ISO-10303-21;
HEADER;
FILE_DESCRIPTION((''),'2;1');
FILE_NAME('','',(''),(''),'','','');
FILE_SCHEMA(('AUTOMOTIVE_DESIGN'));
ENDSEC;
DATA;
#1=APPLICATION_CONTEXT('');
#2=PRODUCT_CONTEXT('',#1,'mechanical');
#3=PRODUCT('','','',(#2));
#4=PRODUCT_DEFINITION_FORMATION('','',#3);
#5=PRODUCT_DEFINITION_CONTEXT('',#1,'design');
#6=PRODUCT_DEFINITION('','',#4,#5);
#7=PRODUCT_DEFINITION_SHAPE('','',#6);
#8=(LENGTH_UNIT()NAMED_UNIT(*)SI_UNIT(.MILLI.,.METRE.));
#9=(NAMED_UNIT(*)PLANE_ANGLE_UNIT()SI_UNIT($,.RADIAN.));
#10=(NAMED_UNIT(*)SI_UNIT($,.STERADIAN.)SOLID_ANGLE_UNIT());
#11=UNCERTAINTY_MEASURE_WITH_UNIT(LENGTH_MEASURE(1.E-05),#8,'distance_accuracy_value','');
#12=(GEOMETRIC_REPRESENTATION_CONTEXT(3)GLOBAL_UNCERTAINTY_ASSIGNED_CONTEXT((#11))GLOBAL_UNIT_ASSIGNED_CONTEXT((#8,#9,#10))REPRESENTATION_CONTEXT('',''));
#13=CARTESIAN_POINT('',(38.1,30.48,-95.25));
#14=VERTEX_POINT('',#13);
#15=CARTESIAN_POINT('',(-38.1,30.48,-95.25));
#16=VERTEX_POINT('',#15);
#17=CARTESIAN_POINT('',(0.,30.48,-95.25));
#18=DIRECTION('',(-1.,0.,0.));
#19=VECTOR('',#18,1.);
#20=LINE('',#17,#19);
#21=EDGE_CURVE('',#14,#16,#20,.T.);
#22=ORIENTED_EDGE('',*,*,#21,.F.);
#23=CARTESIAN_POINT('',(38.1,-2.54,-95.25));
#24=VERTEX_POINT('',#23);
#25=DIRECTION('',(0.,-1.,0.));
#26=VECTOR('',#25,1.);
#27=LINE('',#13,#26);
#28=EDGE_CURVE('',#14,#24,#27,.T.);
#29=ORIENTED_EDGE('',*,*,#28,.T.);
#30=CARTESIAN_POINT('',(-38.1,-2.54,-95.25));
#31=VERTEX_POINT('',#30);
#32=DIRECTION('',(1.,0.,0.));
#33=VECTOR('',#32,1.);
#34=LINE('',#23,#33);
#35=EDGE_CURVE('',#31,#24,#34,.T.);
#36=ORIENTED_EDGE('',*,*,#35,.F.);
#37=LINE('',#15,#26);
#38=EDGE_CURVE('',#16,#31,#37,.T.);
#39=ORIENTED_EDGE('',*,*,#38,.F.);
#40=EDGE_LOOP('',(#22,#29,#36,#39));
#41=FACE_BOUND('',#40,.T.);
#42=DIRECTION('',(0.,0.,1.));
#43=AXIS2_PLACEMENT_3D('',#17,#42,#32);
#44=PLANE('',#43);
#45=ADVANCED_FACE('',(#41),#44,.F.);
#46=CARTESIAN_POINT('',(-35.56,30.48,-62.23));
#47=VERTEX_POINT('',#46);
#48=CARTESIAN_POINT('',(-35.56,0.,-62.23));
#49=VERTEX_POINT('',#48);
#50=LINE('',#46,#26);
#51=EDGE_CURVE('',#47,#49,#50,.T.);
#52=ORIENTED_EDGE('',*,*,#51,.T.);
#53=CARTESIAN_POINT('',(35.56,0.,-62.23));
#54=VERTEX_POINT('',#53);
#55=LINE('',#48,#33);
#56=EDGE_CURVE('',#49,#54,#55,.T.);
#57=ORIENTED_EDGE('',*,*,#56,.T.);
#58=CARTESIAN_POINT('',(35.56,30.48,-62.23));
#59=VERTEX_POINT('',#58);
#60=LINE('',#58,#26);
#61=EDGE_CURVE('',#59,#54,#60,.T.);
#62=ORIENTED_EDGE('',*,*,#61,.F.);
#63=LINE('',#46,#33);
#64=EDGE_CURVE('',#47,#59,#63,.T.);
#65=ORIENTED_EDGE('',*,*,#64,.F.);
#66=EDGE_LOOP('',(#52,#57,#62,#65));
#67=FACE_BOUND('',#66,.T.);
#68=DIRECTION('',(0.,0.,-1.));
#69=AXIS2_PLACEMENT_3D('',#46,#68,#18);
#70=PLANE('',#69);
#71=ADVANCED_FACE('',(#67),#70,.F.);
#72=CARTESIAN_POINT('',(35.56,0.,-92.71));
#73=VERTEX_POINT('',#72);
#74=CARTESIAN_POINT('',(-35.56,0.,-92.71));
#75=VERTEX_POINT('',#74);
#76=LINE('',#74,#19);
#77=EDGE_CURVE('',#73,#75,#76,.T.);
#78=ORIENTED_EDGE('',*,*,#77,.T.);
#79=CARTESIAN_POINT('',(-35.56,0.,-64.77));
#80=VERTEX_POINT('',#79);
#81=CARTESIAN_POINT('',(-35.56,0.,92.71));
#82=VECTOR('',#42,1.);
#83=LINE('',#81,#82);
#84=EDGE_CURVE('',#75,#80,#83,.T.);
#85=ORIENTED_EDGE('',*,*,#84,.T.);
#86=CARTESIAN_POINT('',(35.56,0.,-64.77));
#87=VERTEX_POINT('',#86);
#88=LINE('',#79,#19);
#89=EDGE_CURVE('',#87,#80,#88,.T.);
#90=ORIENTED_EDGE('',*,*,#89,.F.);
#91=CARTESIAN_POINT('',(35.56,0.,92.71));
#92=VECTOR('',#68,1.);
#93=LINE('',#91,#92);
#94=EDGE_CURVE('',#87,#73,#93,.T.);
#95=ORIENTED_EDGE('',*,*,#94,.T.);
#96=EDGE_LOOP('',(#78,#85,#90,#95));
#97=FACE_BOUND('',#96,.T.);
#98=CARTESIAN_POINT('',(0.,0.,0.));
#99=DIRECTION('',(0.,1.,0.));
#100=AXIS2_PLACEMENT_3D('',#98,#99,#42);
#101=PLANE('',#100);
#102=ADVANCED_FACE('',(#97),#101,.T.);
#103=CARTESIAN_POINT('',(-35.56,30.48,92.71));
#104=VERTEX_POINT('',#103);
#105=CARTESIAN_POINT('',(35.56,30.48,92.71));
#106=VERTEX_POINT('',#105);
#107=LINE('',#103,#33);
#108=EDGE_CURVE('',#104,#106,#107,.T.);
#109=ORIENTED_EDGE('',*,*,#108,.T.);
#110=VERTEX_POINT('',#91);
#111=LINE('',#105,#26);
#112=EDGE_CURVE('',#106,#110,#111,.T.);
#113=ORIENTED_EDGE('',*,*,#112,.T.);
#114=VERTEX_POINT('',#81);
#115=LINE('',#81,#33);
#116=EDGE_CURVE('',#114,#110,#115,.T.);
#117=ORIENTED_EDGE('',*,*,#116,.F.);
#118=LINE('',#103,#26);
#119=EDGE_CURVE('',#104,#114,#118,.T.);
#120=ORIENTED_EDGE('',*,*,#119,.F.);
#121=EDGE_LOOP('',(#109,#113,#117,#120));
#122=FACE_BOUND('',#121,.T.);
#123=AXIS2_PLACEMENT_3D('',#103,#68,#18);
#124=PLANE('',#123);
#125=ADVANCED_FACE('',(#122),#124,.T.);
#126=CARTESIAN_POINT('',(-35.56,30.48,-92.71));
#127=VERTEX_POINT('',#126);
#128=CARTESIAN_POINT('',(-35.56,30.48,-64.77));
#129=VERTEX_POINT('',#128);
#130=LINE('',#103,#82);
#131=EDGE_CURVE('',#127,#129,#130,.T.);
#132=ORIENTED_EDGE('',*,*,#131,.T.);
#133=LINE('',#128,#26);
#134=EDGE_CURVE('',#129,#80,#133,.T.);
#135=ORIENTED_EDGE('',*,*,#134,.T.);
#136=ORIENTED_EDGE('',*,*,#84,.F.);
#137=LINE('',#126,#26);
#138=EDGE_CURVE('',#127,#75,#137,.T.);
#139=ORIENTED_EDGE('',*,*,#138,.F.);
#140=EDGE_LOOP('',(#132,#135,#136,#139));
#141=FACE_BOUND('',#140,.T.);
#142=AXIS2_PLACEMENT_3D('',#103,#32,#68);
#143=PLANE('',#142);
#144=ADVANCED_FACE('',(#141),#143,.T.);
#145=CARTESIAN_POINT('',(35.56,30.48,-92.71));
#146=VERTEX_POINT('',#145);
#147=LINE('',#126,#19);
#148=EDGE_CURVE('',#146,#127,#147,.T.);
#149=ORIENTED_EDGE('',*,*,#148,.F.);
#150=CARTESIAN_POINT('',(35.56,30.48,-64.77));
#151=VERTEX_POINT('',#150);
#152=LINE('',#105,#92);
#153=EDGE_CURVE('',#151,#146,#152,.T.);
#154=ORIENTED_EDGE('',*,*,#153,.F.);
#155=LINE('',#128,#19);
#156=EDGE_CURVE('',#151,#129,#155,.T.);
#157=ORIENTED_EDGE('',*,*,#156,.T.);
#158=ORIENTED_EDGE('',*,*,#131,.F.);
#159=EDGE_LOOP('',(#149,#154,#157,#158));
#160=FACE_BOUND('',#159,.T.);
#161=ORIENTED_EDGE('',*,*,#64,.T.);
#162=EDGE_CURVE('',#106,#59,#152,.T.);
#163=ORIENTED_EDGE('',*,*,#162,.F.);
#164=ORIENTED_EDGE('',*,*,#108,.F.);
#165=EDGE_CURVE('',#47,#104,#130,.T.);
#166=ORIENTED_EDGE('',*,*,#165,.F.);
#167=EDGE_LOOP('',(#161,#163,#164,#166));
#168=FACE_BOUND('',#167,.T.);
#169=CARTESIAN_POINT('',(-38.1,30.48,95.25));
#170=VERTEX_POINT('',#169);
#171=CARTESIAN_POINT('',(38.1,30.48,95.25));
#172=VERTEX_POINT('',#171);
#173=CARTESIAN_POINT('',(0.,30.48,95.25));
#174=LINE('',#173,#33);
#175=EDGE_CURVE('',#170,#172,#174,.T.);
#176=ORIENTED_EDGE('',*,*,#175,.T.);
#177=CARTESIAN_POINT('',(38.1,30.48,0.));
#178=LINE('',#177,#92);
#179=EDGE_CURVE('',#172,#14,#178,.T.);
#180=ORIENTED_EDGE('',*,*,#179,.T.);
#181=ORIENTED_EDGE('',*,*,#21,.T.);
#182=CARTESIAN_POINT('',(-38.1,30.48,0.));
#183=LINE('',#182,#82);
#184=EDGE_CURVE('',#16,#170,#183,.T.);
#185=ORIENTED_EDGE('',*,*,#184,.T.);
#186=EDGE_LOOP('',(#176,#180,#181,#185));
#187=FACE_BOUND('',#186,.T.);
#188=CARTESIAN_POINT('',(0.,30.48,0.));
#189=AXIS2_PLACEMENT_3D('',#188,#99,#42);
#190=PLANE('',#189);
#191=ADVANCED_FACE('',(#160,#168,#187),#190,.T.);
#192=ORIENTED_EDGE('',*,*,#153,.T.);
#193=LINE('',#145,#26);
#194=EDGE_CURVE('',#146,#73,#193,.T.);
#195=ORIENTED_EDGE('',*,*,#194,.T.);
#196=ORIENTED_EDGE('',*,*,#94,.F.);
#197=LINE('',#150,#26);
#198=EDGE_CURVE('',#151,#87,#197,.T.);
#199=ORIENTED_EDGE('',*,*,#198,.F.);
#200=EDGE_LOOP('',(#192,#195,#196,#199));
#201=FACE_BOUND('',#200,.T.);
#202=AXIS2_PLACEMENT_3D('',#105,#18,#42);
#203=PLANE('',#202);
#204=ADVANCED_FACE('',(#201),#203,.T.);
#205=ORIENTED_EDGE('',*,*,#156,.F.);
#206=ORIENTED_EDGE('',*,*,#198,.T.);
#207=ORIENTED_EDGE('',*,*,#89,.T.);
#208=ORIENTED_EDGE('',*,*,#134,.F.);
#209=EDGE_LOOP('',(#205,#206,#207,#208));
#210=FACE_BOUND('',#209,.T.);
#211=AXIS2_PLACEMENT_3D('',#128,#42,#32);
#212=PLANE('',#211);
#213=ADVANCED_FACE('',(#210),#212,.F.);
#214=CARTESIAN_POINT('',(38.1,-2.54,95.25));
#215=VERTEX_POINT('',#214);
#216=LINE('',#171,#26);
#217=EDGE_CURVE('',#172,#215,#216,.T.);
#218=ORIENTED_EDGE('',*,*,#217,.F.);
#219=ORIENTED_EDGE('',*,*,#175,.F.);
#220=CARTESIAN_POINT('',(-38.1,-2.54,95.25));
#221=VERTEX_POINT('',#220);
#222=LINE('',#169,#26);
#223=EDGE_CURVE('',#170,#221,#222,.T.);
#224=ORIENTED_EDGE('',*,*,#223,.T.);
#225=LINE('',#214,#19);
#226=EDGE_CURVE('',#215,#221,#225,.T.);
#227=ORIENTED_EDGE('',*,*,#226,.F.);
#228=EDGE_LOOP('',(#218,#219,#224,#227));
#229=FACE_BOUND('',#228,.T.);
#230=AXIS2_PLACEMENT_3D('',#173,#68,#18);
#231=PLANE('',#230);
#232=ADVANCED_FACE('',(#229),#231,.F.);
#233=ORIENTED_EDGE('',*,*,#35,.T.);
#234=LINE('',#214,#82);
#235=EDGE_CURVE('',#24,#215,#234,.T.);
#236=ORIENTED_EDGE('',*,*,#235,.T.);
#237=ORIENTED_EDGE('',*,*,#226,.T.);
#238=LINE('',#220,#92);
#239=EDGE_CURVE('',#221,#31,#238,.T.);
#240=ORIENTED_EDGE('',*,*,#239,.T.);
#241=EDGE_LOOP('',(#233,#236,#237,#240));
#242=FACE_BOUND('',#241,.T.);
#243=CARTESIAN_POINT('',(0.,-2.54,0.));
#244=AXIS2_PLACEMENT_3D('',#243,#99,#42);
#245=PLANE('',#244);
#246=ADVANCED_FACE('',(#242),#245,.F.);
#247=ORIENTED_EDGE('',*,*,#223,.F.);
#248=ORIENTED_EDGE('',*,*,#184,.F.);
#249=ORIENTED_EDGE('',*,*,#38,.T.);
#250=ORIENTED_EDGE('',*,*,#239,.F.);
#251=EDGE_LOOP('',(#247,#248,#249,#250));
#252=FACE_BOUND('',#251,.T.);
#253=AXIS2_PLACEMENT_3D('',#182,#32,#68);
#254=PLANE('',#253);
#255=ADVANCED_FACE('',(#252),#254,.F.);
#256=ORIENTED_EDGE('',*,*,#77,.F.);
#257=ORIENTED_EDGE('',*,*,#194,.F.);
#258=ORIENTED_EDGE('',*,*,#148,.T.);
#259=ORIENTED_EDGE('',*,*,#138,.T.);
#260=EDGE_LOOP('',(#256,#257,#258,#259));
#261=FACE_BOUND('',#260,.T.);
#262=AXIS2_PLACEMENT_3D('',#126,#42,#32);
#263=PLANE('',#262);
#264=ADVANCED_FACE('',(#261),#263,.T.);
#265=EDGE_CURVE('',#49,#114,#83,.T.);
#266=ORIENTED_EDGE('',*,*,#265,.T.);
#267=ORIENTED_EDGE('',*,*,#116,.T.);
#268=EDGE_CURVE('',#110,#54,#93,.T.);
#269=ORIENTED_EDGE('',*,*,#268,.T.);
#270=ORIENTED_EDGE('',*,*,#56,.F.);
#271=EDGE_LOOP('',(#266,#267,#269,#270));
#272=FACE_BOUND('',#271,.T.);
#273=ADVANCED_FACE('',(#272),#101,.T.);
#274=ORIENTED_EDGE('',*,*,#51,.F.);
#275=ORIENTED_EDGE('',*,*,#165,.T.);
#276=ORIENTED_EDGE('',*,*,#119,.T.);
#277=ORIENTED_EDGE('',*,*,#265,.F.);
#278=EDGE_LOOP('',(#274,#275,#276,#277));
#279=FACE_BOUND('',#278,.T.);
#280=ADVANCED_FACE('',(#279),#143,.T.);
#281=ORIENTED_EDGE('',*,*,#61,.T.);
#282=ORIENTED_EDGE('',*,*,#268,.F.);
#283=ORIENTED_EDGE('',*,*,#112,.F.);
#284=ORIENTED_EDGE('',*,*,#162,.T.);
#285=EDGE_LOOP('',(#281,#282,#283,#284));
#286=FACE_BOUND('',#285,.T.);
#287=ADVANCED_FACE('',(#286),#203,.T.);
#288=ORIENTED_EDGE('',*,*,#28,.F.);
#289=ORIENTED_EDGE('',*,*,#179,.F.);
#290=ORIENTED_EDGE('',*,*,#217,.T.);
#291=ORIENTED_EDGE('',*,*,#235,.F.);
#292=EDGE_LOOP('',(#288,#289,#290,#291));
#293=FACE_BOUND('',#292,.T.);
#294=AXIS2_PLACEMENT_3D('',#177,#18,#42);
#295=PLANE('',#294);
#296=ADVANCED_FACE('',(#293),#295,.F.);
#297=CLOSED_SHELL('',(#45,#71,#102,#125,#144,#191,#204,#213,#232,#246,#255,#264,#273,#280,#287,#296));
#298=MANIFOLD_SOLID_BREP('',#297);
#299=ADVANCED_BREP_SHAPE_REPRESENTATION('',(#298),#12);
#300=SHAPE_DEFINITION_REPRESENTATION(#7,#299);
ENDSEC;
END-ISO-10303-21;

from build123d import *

# Parameters (mm, degrees)
SKETCH1_W           = 76.2
SKETCH1_H           = 190.5
SKETCH1_W_2         = 71.12
SKETCH1_H_2         = 185.42
EXTRUDE_THIN1_DEPTH = 30.48
SKETCH2_W           = 76.2
SKETCH2_H           = 190.5
BOSS_EXTRUDE1_DEPTH = 2.54
SKETCH4_W           = 71.12
SKETCH4_H           = 2.54
BOSS_EXTRUDE2_DEPTH = 30.48


with BuildPart() as part:
    # Sketch1 → Extrude-Thin1 (new body)
    with BuildSketch(Plane(origin=(0, 0, 0), x_dir=(1, 0, 0), z_dir=(0, 1, 0))):
        Rectangle(SKETCH1_W, SKETCH1_H)
        Rectangle(SKETCH1_W_2, SKETCH1_H_2, mode=Mode.SUBTRACT)
    extrude(amount=EXTRUDE_THIN1_DEPTH)

    # Sketch2 → Boss-Extrude1 (add)
    with BuildSketch(Plane.XZ):
        Rectangle(SKETCH2_W, SKETCH2_H)
    extrude(amount=BOSS_EXTRUDE1_DEPTH)

    # Sketch4 → Boss-Extrude2 (add)
    with BuildSketch(Plane(origin=(0, 0, 0), x_dir=(1, 0, 0), z_dir=(0, 1, 0))):
        with Locations((0, 63.5)):
            Rectangle(SKETCH4_W, SKETCH4_H)
    extrude(amount=BOSS_EXTRUDE2_DEPTH)


solid = part.part
